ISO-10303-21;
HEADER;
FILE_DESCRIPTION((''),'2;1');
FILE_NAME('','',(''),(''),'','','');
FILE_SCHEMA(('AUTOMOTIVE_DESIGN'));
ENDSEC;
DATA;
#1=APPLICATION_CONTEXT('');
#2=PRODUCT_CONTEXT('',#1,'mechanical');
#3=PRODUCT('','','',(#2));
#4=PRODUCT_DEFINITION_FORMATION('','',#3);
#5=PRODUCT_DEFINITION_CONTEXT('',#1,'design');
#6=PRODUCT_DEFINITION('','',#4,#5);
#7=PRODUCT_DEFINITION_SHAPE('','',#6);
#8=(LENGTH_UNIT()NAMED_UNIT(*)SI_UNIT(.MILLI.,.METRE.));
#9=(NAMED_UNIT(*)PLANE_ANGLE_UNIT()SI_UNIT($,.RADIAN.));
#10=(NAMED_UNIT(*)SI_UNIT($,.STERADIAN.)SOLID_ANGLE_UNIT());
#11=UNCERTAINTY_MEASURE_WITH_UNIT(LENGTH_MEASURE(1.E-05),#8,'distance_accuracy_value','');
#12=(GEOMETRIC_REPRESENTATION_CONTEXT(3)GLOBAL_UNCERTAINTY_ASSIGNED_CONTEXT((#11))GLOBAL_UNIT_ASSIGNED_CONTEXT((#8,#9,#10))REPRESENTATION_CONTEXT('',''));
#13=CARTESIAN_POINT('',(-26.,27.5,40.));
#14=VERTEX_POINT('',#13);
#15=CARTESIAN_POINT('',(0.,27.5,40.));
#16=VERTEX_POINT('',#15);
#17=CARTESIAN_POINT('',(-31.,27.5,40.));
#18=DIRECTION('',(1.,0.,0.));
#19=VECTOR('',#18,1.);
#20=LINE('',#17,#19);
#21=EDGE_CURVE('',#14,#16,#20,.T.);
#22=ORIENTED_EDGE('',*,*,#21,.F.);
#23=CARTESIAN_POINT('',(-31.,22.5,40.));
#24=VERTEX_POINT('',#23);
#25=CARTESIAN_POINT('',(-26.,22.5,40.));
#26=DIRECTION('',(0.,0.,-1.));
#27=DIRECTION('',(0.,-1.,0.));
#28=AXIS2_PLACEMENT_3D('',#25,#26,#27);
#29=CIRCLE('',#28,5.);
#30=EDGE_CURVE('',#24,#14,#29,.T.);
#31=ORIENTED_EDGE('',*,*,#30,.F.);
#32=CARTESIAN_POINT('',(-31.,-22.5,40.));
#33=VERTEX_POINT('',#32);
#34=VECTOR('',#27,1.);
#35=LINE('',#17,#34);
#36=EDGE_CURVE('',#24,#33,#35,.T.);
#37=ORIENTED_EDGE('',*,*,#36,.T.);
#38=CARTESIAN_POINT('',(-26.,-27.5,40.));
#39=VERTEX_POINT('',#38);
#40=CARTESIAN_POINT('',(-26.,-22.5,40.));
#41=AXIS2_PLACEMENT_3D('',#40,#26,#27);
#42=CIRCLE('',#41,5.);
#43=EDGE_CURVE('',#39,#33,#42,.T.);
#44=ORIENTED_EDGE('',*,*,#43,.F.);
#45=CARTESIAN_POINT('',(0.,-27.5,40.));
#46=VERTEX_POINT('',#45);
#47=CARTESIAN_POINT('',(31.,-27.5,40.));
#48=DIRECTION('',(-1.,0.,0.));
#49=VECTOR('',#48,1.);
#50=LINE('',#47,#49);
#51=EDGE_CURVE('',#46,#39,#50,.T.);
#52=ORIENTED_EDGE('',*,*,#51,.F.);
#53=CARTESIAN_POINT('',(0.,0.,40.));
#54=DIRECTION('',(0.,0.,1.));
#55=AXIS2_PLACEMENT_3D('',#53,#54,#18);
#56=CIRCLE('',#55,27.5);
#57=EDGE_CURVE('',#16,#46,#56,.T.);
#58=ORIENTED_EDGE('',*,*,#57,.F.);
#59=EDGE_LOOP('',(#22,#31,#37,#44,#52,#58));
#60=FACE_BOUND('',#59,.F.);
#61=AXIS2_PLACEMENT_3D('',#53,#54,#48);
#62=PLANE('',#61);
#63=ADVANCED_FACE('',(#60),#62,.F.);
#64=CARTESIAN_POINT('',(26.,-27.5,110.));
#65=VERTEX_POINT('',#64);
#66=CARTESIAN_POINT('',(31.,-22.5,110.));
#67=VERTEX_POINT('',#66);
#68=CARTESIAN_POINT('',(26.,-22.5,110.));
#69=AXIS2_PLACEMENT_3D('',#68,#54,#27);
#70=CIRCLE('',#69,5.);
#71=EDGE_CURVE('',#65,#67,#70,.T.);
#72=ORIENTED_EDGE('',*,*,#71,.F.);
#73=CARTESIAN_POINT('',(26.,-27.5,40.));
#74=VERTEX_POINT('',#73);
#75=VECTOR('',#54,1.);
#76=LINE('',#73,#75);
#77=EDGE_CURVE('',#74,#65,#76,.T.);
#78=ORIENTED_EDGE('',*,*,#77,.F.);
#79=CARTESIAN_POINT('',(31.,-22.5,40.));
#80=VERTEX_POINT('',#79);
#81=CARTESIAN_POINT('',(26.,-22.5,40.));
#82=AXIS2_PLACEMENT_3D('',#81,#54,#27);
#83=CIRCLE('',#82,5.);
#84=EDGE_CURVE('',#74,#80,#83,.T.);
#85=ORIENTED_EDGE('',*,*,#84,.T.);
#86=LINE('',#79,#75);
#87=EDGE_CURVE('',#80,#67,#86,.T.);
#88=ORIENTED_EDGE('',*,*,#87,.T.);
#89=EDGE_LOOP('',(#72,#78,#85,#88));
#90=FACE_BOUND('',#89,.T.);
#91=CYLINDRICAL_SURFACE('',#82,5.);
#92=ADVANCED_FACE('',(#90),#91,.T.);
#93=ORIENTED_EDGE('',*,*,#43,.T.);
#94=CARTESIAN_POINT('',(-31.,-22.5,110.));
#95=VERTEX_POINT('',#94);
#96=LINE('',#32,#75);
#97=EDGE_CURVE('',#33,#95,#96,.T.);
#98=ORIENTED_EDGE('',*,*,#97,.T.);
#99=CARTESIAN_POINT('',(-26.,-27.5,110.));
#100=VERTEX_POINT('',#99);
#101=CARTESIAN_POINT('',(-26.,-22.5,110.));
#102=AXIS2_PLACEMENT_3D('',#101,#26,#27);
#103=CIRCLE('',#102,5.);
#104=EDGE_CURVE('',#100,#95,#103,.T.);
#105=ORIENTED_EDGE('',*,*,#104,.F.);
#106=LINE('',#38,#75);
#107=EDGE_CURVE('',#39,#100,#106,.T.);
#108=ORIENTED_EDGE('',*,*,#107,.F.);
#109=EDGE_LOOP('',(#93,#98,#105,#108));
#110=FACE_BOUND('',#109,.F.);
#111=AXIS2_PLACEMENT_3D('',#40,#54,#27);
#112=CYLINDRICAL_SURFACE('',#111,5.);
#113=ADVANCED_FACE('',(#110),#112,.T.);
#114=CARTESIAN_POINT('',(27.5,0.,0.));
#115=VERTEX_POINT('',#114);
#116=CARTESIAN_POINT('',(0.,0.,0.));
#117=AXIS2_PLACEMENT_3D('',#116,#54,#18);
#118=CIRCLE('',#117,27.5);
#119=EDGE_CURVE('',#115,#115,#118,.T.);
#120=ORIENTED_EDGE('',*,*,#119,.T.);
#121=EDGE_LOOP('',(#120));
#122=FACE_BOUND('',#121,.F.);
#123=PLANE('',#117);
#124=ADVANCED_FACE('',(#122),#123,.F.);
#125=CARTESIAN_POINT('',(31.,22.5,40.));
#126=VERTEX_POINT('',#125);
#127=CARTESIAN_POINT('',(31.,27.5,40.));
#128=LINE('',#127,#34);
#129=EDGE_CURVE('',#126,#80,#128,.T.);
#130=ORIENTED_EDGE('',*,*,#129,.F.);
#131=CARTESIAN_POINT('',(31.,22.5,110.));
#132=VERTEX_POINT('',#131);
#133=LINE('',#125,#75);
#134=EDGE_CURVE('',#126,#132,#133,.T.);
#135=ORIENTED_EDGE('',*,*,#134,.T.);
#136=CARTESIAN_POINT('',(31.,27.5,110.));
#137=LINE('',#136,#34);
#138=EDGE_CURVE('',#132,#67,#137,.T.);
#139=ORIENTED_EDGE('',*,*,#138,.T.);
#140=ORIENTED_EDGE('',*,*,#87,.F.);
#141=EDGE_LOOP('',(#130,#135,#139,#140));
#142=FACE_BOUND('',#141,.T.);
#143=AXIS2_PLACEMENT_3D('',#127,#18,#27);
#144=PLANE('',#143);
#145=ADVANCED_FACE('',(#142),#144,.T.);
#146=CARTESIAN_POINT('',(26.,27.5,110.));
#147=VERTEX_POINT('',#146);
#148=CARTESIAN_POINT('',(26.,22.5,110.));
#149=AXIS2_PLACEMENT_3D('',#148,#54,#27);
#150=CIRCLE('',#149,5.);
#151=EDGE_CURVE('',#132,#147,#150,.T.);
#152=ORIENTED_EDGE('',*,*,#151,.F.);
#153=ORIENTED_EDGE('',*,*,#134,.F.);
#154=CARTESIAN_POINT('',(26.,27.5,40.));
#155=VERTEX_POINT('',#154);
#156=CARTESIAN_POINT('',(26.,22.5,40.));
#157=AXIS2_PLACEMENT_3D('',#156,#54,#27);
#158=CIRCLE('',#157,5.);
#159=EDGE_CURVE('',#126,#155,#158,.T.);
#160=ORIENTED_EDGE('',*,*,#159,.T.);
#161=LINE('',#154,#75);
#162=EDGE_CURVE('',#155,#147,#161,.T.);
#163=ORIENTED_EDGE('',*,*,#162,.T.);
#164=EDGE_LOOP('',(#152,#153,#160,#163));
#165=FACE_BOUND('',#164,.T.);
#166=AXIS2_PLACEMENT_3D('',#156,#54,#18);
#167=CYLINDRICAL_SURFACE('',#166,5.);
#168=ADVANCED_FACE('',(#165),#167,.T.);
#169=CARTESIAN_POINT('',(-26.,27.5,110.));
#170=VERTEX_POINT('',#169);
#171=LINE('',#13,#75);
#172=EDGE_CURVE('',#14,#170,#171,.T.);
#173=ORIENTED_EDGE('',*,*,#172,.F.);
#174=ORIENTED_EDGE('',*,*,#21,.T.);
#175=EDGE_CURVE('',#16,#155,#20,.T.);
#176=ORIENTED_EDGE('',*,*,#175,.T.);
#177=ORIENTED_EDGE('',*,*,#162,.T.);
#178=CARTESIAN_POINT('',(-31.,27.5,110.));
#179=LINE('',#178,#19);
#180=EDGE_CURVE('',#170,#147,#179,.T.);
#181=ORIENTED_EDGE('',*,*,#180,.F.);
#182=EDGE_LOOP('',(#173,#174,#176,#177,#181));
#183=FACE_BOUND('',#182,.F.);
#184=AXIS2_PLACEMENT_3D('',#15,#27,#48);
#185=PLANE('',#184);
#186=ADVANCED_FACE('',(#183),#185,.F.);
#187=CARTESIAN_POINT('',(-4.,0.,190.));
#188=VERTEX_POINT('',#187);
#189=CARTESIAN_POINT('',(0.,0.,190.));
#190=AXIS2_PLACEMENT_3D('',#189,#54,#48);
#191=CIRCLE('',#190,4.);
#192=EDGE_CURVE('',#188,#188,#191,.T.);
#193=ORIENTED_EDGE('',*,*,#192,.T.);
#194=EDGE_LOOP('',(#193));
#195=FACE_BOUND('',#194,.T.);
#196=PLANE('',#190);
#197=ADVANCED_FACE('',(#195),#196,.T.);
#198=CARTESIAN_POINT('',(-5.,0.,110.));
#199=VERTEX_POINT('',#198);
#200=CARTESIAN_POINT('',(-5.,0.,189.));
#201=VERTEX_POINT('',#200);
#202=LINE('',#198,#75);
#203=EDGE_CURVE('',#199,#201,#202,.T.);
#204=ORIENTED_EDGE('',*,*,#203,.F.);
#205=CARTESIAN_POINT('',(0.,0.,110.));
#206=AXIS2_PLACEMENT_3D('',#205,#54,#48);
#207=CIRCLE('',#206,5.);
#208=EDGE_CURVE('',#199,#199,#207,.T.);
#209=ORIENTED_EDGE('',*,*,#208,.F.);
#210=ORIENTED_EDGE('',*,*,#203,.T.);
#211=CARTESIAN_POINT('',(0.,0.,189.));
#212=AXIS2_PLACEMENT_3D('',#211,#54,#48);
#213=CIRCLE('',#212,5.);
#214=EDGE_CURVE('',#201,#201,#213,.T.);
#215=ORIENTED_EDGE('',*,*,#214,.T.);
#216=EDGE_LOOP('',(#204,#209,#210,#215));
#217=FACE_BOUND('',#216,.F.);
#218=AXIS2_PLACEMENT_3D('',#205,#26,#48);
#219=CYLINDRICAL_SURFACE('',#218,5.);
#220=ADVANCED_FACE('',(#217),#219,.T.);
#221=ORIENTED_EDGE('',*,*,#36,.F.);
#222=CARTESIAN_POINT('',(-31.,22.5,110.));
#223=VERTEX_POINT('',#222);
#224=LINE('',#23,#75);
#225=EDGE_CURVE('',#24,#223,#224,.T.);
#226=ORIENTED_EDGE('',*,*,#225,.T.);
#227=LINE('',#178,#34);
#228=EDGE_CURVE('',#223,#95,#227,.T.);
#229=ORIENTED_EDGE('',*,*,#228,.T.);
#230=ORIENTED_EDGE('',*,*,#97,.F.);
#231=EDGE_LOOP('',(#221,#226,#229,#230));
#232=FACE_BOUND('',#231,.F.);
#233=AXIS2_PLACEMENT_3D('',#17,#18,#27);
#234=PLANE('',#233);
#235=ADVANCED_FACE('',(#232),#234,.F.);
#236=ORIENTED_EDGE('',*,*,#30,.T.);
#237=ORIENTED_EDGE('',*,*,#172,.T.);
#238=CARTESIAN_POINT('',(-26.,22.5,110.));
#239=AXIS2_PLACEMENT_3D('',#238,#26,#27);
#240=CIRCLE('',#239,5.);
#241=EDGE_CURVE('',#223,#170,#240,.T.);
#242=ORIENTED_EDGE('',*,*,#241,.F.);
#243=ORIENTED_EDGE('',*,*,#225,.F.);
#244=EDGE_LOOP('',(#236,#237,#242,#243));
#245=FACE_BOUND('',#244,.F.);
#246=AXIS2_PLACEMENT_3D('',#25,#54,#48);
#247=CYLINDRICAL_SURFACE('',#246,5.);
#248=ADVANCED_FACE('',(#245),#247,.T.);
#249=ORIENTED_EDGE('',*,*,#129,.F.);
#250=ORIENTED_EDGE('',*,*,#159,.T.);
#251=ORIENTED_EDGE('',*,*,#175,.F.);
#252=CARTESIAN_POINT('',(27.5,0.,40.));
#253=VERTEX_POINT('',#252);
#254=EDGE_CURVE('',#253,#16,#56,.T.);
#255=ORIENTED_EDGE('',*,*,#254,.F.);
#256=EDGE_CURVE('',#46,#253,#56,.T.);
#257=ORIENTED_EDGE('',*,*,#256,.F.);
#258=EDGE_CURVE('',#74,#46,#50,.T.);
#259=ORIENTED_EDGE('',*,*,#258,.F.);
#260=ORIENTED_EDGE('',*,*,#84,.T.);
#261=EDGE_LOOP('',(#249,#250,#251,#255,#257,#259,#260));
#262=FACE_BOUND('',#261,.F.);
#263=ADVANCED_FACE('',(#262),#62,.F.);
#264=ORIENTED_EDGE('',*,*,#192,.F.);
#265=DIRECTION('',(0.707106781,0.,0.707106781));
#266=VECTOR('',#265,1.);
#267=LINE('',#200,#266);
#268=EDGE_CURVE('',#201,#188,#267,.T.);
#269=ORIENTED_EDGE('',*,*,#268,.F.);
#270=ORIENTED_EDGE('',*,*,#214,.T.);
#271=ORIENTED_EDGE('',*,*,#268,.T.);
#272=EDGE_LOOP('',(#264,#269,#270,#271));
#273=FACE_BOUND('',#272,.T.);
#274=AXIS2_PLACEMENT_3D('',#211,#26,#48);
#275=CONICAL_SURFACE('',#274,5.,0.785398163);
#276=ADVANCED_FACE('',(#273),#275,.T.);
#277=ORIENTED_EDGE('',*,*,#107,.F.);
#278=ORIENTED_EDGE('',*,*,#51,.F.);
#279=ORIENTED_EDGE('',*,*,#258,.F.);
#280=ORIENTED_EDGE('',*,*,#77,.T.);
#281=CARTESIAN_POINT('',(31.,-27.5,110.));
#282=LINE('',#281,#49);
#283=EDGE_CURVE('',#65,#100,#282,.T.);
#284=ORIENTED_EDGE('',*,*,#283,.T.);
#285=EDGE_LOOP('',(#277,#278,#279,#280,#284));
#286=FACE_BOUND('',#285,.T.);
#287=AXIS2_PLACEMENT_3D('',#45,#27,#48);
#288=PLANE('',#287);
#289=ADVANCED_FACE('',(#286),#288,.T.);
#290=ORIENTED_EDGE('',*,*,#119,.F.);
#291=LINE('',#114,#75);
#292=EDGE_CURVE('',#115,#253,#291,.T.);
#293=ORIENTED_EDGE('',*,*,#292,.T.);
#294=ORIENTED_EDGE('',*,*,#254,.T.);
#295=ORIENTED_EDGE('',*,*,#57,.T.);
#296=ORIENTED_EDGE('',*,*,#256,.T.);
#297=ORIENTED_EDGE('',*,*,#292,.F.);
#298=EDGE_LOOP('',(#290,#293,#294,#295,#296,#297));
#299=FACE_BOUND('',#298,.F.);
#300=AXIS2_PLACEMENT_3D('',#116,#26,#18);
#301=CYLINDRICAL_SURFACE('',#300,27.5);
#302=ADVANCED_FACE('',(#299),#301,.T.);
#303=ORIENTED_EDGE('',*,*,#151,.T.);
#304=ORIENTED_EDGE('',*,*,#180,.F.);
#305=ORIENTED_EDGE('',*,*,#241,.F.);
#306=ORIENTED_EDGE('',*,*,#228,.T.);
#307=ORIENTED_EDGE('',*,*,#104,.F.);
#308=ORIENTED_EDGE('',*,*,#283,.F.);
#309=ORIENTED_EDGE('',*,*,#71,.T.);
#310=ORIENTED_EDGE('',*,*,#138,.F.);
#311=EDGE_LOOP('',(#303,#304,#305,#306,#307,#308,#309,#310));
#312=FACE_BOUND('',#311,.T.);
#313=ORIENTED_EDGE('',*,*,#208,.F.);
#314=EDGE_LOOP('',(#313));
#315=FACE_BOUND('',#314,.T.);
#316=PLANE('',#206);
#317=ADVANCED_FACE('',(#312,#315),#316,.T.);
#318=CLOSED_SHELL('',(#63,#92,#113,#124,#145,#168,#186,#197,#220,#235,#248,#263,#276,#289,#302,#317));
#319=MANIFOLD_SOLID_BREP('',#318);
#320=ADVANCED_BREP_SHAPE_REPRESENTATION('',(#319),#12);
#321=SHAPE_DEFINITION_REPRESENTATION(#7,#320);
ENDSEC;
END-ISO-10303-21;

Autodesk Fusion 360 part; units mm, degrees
sketch "Sketch1" plane through (0, 0, 0) normal (0, 0, 1) x (1, 0, 0)
  circle A0 centre (0, 0) radius 27.5
  dimension "d1" = 55
extrude "Extrude1" add sketch "Sketch1" along normal blind 40
sketch "Sketch2" plane through (0, 0, 40) normal (0, 0, 1) x (-1, 0, 0)
  circle A0 centre (0, 0) radius 27.5
  line L0 (0, -27.5) -> (-31, -27.5)
  line L1 (-31, -27.5) -> (-31, 40.6198)
  line L2 (0, 27.5) -> (-33.618, 27.5)
  line L3 (0, -27.5) -> (31, -27.5)
  line L4 (31, -27.5) -> (31, 43)
  line L5 (0, 27.5) -> (37, 27.5)
  dimension "d4" = 90
  dimension "d5" = 31
extrude "Extrude2" add sketch "Sketch2" along normal blind 70
sketch "Sketch3" plane through (0, 0, 110) normal (0, 0, 1) x (-1, 0, 0)
  line L0 (-31, -27.5) -> (31, -27.5)
  line L1 (31, -27.5) -> (31, 27.5)
  line L2 (31, 27.5) -> (-31, 27.5)
  line L3 (-31, 27.5) -> (-31, -27.5)
  circle A0 centre (0, 0) radius 5
  dimension "d8" = 10
extrude "Extrude3" add sketch "Sketch3" along normal blind 80 contours A0
sketch "Sketch4" plane through (0, 0, 0) normal (0, 1, 0) x (1, 0, 0)
chamfer "Chamfer1" distance 1 angle 45 1 edges at (4.6616, 1.8081, 190)
fillet "Fillet1" radius 5 4 edges at (31, -27.5, 75) (31, 27.5, 75) (-31, 27.5, 75) (-31, -27.5, 75)
